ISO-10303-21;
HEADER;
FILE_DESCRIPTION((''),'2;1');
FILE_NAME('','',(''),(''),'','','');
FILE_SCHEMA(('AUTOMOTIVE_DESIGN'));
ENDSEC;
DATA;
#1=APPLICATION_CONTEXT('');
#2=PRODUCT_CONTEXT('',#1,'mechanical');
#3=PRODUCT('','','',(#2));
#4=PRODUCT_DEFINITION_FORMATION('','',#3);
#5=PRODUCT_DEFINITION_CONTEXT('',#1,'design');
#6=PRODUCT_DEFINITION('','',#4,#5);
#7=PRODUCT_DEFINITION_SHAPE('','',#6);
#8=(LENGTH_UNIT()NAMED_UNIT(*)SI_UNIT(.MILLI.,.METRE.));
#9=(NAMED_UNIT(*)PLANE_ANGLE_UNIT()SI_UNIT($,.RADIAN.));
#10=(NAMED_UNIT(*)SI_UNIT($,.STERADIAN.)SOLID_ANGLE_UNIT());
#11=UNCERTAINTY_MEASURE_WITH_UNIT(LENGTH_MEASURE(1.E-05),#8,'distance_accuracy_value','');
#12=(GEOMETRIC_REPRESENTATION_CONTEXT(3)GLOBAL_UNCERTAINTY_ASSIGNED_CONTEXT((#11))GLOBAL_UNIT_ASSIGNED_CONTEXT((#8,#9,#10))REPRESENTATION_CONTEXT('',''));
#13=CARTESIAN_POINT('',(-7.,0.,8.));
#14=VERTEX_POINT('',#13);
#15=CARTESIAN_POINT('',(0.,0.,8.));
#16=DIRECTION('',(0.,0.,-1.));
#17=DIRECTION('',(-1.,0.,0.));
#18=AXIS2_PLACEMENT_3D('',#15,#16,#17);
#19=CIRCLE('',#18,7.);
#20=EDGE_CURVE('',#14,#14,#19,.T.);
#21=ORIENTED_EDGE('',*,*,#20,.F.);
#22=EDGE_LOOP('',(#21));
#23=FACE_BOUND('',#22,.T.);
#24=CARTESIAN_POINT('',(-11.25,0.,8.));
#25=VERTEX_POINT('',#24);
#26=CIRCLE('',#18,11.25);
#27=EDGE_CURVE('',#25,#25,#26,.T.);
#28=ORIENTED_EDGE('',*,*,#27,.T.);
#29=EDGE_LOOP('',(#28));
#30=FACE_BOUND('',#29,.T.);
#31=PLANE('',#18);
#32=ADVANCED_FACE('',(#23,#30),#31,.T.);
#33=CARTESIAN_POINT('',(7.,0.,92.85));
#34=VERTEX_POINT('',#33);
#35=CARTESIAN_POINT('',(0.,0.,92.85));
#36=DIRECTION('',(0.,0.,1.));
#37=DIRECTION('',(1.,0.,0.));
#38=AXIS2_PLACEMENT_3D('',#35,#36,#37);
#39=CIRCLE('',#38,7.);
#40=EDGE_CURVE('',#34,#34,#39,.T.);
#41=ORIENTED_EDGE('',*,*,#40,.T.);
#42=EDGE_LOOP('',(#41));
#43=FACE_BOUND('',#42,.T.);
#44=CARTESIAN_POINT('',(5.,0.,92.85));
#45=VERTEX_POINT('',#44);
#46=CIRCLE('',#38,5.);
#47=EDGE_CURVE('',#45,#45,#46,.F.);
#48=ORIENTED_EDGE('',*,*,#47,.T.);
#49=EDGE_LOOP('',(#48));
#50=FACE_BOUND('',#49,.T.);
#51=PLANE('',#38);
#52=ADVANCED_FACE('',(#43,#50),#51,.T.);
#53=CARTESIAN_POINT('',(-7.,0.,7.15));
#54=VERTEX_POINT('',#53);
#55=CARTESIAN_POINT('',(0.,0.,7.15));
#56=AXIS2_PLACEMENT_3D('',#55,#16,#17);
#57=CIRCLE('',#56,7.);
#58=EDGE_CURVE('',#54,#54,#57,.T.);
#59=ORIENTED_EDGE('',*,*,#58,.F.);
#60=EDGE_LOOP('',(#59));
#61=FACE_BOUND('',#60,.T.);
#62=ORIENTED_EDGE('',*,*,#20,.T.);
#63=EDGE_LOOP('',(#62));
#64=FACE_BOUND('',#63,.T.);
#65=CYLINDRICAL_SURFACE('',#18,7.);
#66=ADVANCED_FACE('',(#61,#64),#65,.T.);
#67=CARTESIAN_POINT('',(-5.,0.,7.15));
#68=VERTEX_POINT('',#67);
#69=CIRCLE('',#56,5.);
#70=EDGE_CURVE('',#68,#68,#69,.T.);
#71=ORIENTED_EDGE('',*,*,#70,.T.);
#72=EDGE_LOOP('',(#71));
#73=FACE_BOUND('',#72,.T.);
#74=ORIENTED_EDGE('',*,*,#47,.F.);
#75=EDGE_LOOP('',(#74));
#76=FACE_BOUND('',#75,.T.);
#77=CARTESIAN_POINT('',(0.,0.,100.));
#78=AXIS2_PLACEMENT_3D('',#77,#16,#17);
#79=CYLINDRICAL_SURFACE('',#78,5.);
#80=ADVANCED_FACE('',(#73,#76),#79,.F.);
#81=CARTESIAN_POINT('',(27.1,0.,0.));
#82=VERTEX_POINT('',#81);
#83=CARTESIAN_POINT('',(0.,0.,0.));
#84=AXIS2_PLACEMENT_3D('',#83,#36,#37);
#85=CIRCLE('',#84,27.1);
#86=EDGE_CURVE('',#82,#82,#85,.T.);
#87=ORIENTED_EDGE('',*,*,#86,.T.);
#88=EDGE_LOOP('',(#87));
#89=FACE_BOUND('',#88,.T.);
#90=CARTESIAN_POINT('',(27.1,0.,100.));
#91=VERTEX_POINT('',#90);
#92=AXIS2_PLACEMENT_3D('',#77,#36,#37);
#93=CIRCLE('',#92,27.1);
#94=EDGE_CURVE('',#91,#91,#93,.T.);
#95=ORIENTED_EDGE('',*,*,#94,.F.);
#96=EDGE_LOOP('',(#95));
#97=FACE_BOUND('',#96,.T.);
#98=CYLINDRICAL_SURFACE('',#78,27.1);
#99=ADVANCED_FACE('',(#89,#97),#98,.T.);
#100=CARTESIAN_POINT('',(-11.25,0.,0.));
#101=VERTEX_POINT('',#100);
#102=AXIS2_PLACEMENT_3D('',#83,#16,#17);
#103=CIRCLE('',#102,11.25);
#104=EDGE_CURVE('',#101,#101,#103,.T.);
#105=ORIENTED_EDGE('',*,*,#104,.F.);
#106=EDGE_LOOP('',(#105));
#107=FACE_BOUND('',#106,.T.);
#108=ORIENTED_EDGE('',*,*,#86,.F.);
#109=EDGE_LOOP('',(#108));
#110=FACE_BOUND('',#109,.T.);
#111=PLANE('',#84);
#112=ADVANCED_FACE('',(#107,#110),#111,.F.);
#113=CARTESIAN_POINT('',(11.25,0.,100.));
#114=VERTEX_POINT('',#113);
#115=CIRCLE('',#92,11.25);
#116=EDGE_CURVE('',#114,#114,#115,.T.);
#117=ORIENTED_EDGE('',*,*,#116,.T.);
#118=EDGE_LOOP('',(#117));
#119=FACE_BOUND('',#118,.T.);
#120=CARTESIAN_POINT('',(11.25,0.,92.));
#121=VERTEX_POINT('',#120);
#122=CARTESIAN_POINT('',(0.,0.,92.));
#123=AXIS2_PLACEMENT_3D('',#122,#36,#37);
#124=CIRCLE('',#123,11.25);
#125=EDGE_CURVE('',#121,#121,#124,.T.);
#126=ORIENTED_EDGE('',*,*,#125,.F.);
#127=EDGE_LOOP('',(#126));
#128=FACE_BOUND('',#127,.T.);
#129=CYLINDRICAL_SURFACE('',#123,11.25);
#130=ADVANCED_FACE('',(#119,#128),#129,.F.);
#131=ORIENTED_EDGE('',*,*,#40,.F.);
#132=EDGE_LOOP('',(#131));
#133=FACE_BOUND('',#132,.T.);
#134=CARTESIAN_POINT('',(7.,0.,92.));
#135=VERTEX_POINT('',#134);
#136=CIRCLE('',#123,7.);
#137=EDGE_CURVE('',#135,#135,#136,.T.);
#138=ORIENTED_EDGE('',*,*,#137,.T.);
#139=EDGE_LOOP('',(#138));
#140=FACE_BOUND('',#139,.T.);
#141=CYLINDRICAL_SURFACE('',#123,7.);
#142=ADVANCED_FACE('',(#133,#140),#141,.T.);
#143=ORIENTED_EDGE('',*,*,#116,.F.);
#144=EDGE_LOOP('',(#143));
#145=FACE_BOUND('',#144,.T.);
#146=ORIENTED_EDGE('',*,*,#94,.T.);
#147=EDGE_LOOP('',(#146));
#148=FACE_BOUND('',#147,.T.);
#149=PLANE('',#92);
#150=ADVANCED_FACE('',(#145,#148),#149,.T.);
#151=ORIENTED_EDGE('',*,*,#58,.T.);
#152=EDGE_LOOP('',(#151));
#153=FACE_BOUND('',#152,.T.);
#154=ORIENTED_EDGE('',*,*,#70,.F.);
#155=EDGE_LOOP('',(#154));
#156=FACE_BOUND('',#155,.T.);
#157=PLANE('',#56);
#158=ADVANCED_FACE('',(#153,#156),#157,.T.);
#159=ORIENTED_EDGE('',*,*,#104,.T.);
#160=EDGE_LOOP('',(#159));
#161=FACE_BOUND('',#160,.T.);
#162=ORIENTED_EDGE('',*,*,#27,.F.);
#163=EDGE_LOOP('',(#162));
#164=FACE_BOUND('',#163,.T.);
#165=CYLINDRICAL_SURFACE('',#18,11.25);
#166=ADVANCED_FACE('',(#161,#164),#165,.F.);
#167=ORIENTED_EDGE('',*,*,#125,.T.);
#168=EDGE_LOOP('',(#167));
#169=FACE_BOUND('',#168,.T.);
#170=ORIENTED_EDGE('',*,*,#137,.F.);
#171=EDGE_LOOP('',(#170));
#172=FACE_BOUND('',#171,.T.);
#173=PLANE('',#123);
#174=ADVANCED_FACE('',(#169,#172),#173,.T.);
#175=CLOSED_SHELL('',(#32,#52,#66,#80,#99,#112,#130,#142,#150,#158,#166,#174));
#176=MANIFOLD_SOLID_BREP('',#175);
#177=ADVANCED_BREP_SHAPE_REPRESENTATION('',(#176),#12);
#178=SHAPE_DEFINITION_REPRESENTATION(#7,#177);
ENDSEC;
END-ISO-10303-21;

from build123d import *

# Parameters (mm, degrees)
SKETCH1_R           = 27.1
SKETCH1_R_2         = 5
BOSS_EXTRUDE1_DEPTH = 100
CUT_EXTRUDE1_START  = -7.15
SKETCH2_R           = 7
SKETCH2_R_2         = 5
CUT_EXTRUDE1_DEPTH  = 7.15
CUT_EXTRUDE2_START  = -8
SKETCH3_R           = 11.25
SKETCH3_R_2         = 7
CUT_EXTRUDE2_DEPTH  = 8
SKETCH4_R           = 7
CUT_EXTRUDE3_DEPTH  = 7.15
SKETCH5_R           = 11.25
SKETCH5_R_2         = 7
CUT_EXTRUDE4_DEPTH  = 8


with BuildPart() as part:
    # Sketch1 → Boss-Extrude1 (new body)
    with BuildSketch(Plane.XY):
        Circle(SKETCH1_R)
        Circle(SKETCH1_R_2, mode=Mode.SUBTRACT)
    extrude(amount=BOSS_EXTRUDE1_DEPTH)

    # Sketch2 → Cut-Extrude1 (cut)
    with BuildSketch(Plane.XY.offset(100).offset(CUT_EXTRUDE1_START)):
        Circle(SKETCH2_R)
        Circle(SKETCH2_R_2, mode=Mode.SUBTRACT)
    extrude(amount=CUT_EXTRUDE1_DEPTH, mode=Mode.SUBTRACT)

    # Sketch3 → Cut-Extrude2 (cut)
    with BuildSketch(Plane.XY.offset(100).offset(CUT_EXTRUDE2_START)):
        Circle(SKETCH3_R)
        Circle(SKETCH3_R_2, mode=Mode.SUBTRACT)
    extrude(amount=CUT_EXTRUDE2_DEPTH, mode=Mode.SUBTRACT)

    # Sketch4 → Cut-Extrude3 (cut)
    with BuildSketch(Plane(origin=(0, 0, 0), x_dir=(-1, 0, 0), z_dir=(0, 0, -1))):
        with Locations(Location((0, 0, 0), (0, 0, 180))):
            Circle(SKETCH4_R)
    extrude(amount=-CUT_EXTRUDE3_DEPTH, mode=Mode.SUBTRACT)

    # Sketch5 → Cut-Extrude4 (cut)
    with BuildSketch(Plane(origin=(0, 0, 0), x_dir=(-1, 0, 0), z_dir=(0, 0, -1))):
        with Locations(Location((0, 0, 0), (0, 0, 180))):
            Circle(SKETCH5_R)
        with Locations(Location((0, 0, 0), (0, 0, 180))):
            Circle(SKETCH5_R_2, mode=Mode.SUBTRACT)
    extrude(amount=-CUT_EXTRUDE4_DEPTH, mode=Mode.SUBTRACT)


solid = part.part
